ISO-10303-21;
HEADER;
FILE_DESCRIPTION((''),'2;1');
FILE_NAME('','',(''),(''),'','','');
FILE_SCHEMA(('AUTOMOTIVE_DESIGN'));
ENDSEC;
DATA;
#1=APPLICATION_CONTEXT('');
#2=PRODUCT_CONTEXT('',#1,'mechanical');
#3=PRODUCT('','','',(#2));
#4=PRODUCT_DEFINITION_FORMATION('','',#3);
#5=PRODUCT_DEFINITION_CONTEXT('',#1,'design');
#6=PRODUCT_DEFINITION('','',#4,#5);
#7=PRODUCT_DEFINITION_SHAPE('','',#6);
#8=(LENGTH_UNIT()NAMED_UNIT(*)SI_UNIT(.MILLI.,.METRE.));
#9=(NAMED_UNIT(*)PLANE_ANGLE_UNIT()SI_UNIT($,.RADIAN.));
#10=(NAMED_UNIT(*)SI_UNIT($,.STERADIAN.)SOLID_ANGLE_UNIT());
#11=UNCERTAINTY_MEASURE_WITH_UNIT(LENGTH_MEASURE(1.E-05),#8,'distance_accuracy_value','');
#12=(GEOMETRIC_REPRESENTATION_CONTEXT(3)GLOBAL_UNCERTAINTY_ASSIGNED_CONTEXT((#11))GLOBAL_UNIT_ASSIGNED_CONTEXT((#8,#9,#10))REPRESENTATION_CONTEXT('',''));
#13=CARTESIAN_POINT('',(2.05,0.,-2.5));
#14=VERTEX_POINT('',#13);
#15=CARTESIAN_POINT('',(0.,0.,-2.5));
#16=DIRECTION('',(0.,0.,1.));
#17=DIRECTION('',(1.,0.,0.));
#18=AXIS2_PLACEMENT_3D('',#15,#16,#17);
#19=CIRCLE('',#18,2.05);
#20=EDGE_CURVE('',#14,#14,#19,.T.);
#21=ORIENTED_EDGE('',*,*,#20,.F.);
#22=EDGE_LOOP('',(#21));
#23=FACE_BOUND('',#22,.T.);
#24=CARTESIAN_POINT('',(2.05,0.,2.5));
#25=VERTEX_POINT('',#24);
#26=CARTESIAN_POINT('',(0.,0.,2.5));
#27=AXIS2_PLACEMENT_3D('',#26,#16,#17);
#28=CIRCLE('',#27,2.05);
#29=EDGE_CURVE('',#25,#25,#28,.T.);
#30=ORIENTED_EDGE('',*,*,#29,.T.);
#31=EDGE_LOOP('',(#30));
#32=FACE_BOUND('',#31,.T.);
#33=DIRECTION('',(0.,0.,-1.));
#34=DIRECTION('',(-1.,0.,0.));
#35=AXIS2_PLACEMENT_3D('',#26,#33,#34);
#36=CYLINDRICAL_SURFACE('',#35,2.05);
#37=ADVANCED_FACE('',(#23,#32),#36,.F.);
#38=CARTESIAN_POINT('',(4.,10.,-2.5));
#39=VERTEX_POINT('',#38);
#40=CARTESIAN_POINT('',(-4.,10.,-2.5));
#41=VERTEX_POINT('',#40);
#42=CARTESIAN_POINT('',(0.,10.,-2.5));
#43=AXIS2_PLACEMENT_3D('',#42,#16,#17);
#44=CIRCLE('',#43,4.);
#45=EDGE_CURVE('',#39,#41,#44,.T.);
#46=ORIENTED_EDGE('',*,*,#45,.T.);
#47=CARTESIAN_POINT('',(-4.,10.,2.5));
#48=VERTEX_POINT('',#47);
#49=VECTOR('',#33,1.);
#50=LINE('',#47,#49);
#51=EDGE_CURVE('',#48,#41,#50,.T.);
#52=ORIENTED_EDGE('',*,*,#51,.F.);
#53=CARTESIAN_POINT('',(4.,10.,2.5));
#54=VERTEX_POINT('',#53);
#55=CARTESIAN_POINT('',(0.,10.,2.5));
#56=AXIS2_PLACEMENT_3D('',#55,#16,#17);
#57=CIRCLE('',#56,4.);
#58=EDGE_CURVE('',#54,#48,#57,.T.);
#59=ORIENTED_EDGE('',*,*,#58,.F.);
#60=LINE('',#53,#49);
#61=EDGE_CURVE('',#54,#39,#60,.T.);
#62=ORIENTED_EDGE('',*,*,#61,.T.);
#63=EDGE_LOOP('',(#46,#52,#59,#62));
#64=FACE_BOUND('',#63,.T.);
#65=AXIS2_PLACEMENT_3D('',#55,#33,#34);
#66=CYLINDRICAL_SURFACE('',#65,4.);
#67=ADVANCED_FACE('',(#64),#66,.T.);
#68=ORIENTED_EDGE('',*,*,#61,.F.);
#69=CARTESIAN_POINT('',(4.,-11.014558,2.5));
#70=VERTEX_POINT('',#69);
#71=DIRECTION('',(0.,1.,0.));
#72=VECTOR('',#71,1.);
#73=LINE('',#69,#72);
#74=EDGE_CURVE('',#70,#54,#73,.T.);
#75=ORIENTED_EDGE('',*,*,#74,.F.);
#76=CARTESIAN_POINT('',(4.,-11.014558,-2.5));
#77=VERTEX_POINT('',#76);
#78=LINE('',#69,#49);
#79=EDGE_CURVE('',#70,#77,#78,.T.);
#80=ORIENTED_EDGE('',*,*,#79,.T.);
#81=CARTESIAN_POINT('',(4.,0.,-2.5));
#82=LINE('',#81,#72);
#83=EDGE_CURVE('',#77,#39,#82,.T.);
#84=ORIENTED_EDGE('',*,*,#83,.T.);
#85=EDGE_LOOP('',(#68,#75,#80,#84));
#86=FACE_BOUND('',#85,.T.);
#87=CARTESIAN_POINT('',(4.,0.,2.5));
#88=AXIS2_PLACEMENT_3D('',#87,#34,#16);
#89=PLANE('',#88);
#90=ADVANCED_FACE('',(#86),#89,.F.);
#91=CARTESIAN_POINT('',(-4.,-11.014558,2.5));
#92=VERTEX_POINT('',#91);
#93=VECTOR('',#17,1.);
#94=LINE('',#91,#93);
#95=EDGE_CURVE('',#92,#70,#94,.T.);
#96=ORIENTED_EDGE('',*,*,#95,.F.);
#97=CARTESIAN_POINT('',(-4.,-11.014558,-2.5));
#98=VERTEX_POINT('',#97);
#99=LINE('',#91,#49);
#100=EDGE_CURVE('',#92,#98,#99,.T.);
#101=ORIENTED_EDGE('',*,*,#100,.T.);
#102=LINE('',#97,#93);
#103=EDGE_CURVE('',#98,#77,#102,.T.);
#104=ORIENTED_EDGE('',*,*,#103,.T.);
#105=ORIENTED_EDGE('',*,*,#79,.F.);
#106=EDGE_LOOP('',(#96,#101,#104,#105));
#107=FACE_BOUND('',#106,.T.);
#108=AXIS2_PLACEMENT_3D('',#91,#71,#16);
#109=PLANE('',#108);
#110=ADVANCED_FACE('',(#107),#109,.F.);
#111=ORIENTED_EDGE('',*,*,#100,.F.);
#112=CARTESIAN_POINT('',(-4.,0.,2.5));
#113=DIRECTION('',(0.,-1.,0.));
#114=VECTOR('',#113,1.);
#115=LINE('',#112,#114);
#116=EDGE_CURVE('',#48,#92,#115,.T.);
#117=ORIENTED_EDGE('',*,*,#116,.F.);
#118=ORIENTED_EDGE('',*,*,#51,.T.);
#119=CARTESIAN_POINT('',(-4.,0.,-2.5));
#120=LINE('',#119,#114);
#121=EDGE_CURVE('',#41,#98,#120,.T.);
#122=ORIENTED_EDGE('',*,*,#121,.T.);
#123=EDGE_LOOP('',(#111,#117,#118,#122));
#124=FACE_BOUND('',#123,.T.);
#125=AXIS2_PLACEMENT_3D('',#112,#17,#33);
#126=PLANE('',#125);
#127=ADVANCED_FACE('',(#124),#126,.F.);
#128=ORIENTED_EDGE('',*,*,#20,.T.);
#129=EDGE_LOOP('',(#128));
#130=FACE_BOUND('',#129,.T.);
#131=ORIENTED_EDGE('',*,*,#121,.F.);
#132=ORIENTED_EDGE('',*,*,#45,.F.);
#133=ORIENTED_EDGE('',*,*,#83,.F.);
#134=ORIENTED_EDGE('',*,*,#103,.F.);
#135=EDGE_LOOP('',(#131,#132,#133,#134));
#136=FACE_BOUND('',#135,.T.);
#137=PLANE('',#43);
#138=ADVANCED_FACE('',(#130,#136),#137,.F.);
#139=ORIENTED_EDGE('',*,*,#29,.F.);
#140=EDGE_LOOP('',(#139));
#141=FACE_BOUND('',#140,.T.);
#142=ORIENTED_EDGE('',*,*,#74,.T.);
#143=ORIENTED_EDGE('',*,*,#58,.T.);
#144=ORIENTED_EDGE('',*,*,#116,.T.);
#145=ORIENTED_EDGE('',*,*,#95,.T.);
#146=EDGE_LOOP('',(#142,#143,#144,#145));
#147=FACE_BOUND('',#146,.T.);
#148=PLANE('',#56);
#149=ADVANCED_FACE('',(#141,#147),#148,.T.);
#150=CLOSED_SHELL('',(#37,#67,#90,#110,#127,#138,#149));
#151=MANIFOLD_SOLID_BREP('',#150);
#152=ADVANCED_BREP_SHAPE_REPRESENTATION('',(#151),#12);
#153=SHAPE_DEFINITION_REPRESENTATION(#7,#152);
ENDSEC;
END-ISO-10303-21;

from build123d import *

# Parameters (mm, degrees)
SKETCH_1_R      = 2.05
EXTRUDE_1_DEPTH = 2.5


with BuildPart() as part:
    # 스케치1 → 보스-돌출1 (new, symmetric)
    with BuildSketch(Plane.XY):
        with BuildLine():
            Line((-4, 0), (-4, 10))
            ThreePointArc((-4, 10), (0, 14), (4, 10))
            Line((4, 10), (4, 0))
            Line((4, 0), (4, -11.014558485))
            Line((4, -11.014558485), (-4, -11.014558485))
            Line((-4, -11.014558485), (-4, 0))
        make_face()
        Circle(SKETCH_1_R, mode=Mode.SUBTRACT)
    extrude(amount=EXTRUDE_1_DEPTH, both=True)


solid = part.part
